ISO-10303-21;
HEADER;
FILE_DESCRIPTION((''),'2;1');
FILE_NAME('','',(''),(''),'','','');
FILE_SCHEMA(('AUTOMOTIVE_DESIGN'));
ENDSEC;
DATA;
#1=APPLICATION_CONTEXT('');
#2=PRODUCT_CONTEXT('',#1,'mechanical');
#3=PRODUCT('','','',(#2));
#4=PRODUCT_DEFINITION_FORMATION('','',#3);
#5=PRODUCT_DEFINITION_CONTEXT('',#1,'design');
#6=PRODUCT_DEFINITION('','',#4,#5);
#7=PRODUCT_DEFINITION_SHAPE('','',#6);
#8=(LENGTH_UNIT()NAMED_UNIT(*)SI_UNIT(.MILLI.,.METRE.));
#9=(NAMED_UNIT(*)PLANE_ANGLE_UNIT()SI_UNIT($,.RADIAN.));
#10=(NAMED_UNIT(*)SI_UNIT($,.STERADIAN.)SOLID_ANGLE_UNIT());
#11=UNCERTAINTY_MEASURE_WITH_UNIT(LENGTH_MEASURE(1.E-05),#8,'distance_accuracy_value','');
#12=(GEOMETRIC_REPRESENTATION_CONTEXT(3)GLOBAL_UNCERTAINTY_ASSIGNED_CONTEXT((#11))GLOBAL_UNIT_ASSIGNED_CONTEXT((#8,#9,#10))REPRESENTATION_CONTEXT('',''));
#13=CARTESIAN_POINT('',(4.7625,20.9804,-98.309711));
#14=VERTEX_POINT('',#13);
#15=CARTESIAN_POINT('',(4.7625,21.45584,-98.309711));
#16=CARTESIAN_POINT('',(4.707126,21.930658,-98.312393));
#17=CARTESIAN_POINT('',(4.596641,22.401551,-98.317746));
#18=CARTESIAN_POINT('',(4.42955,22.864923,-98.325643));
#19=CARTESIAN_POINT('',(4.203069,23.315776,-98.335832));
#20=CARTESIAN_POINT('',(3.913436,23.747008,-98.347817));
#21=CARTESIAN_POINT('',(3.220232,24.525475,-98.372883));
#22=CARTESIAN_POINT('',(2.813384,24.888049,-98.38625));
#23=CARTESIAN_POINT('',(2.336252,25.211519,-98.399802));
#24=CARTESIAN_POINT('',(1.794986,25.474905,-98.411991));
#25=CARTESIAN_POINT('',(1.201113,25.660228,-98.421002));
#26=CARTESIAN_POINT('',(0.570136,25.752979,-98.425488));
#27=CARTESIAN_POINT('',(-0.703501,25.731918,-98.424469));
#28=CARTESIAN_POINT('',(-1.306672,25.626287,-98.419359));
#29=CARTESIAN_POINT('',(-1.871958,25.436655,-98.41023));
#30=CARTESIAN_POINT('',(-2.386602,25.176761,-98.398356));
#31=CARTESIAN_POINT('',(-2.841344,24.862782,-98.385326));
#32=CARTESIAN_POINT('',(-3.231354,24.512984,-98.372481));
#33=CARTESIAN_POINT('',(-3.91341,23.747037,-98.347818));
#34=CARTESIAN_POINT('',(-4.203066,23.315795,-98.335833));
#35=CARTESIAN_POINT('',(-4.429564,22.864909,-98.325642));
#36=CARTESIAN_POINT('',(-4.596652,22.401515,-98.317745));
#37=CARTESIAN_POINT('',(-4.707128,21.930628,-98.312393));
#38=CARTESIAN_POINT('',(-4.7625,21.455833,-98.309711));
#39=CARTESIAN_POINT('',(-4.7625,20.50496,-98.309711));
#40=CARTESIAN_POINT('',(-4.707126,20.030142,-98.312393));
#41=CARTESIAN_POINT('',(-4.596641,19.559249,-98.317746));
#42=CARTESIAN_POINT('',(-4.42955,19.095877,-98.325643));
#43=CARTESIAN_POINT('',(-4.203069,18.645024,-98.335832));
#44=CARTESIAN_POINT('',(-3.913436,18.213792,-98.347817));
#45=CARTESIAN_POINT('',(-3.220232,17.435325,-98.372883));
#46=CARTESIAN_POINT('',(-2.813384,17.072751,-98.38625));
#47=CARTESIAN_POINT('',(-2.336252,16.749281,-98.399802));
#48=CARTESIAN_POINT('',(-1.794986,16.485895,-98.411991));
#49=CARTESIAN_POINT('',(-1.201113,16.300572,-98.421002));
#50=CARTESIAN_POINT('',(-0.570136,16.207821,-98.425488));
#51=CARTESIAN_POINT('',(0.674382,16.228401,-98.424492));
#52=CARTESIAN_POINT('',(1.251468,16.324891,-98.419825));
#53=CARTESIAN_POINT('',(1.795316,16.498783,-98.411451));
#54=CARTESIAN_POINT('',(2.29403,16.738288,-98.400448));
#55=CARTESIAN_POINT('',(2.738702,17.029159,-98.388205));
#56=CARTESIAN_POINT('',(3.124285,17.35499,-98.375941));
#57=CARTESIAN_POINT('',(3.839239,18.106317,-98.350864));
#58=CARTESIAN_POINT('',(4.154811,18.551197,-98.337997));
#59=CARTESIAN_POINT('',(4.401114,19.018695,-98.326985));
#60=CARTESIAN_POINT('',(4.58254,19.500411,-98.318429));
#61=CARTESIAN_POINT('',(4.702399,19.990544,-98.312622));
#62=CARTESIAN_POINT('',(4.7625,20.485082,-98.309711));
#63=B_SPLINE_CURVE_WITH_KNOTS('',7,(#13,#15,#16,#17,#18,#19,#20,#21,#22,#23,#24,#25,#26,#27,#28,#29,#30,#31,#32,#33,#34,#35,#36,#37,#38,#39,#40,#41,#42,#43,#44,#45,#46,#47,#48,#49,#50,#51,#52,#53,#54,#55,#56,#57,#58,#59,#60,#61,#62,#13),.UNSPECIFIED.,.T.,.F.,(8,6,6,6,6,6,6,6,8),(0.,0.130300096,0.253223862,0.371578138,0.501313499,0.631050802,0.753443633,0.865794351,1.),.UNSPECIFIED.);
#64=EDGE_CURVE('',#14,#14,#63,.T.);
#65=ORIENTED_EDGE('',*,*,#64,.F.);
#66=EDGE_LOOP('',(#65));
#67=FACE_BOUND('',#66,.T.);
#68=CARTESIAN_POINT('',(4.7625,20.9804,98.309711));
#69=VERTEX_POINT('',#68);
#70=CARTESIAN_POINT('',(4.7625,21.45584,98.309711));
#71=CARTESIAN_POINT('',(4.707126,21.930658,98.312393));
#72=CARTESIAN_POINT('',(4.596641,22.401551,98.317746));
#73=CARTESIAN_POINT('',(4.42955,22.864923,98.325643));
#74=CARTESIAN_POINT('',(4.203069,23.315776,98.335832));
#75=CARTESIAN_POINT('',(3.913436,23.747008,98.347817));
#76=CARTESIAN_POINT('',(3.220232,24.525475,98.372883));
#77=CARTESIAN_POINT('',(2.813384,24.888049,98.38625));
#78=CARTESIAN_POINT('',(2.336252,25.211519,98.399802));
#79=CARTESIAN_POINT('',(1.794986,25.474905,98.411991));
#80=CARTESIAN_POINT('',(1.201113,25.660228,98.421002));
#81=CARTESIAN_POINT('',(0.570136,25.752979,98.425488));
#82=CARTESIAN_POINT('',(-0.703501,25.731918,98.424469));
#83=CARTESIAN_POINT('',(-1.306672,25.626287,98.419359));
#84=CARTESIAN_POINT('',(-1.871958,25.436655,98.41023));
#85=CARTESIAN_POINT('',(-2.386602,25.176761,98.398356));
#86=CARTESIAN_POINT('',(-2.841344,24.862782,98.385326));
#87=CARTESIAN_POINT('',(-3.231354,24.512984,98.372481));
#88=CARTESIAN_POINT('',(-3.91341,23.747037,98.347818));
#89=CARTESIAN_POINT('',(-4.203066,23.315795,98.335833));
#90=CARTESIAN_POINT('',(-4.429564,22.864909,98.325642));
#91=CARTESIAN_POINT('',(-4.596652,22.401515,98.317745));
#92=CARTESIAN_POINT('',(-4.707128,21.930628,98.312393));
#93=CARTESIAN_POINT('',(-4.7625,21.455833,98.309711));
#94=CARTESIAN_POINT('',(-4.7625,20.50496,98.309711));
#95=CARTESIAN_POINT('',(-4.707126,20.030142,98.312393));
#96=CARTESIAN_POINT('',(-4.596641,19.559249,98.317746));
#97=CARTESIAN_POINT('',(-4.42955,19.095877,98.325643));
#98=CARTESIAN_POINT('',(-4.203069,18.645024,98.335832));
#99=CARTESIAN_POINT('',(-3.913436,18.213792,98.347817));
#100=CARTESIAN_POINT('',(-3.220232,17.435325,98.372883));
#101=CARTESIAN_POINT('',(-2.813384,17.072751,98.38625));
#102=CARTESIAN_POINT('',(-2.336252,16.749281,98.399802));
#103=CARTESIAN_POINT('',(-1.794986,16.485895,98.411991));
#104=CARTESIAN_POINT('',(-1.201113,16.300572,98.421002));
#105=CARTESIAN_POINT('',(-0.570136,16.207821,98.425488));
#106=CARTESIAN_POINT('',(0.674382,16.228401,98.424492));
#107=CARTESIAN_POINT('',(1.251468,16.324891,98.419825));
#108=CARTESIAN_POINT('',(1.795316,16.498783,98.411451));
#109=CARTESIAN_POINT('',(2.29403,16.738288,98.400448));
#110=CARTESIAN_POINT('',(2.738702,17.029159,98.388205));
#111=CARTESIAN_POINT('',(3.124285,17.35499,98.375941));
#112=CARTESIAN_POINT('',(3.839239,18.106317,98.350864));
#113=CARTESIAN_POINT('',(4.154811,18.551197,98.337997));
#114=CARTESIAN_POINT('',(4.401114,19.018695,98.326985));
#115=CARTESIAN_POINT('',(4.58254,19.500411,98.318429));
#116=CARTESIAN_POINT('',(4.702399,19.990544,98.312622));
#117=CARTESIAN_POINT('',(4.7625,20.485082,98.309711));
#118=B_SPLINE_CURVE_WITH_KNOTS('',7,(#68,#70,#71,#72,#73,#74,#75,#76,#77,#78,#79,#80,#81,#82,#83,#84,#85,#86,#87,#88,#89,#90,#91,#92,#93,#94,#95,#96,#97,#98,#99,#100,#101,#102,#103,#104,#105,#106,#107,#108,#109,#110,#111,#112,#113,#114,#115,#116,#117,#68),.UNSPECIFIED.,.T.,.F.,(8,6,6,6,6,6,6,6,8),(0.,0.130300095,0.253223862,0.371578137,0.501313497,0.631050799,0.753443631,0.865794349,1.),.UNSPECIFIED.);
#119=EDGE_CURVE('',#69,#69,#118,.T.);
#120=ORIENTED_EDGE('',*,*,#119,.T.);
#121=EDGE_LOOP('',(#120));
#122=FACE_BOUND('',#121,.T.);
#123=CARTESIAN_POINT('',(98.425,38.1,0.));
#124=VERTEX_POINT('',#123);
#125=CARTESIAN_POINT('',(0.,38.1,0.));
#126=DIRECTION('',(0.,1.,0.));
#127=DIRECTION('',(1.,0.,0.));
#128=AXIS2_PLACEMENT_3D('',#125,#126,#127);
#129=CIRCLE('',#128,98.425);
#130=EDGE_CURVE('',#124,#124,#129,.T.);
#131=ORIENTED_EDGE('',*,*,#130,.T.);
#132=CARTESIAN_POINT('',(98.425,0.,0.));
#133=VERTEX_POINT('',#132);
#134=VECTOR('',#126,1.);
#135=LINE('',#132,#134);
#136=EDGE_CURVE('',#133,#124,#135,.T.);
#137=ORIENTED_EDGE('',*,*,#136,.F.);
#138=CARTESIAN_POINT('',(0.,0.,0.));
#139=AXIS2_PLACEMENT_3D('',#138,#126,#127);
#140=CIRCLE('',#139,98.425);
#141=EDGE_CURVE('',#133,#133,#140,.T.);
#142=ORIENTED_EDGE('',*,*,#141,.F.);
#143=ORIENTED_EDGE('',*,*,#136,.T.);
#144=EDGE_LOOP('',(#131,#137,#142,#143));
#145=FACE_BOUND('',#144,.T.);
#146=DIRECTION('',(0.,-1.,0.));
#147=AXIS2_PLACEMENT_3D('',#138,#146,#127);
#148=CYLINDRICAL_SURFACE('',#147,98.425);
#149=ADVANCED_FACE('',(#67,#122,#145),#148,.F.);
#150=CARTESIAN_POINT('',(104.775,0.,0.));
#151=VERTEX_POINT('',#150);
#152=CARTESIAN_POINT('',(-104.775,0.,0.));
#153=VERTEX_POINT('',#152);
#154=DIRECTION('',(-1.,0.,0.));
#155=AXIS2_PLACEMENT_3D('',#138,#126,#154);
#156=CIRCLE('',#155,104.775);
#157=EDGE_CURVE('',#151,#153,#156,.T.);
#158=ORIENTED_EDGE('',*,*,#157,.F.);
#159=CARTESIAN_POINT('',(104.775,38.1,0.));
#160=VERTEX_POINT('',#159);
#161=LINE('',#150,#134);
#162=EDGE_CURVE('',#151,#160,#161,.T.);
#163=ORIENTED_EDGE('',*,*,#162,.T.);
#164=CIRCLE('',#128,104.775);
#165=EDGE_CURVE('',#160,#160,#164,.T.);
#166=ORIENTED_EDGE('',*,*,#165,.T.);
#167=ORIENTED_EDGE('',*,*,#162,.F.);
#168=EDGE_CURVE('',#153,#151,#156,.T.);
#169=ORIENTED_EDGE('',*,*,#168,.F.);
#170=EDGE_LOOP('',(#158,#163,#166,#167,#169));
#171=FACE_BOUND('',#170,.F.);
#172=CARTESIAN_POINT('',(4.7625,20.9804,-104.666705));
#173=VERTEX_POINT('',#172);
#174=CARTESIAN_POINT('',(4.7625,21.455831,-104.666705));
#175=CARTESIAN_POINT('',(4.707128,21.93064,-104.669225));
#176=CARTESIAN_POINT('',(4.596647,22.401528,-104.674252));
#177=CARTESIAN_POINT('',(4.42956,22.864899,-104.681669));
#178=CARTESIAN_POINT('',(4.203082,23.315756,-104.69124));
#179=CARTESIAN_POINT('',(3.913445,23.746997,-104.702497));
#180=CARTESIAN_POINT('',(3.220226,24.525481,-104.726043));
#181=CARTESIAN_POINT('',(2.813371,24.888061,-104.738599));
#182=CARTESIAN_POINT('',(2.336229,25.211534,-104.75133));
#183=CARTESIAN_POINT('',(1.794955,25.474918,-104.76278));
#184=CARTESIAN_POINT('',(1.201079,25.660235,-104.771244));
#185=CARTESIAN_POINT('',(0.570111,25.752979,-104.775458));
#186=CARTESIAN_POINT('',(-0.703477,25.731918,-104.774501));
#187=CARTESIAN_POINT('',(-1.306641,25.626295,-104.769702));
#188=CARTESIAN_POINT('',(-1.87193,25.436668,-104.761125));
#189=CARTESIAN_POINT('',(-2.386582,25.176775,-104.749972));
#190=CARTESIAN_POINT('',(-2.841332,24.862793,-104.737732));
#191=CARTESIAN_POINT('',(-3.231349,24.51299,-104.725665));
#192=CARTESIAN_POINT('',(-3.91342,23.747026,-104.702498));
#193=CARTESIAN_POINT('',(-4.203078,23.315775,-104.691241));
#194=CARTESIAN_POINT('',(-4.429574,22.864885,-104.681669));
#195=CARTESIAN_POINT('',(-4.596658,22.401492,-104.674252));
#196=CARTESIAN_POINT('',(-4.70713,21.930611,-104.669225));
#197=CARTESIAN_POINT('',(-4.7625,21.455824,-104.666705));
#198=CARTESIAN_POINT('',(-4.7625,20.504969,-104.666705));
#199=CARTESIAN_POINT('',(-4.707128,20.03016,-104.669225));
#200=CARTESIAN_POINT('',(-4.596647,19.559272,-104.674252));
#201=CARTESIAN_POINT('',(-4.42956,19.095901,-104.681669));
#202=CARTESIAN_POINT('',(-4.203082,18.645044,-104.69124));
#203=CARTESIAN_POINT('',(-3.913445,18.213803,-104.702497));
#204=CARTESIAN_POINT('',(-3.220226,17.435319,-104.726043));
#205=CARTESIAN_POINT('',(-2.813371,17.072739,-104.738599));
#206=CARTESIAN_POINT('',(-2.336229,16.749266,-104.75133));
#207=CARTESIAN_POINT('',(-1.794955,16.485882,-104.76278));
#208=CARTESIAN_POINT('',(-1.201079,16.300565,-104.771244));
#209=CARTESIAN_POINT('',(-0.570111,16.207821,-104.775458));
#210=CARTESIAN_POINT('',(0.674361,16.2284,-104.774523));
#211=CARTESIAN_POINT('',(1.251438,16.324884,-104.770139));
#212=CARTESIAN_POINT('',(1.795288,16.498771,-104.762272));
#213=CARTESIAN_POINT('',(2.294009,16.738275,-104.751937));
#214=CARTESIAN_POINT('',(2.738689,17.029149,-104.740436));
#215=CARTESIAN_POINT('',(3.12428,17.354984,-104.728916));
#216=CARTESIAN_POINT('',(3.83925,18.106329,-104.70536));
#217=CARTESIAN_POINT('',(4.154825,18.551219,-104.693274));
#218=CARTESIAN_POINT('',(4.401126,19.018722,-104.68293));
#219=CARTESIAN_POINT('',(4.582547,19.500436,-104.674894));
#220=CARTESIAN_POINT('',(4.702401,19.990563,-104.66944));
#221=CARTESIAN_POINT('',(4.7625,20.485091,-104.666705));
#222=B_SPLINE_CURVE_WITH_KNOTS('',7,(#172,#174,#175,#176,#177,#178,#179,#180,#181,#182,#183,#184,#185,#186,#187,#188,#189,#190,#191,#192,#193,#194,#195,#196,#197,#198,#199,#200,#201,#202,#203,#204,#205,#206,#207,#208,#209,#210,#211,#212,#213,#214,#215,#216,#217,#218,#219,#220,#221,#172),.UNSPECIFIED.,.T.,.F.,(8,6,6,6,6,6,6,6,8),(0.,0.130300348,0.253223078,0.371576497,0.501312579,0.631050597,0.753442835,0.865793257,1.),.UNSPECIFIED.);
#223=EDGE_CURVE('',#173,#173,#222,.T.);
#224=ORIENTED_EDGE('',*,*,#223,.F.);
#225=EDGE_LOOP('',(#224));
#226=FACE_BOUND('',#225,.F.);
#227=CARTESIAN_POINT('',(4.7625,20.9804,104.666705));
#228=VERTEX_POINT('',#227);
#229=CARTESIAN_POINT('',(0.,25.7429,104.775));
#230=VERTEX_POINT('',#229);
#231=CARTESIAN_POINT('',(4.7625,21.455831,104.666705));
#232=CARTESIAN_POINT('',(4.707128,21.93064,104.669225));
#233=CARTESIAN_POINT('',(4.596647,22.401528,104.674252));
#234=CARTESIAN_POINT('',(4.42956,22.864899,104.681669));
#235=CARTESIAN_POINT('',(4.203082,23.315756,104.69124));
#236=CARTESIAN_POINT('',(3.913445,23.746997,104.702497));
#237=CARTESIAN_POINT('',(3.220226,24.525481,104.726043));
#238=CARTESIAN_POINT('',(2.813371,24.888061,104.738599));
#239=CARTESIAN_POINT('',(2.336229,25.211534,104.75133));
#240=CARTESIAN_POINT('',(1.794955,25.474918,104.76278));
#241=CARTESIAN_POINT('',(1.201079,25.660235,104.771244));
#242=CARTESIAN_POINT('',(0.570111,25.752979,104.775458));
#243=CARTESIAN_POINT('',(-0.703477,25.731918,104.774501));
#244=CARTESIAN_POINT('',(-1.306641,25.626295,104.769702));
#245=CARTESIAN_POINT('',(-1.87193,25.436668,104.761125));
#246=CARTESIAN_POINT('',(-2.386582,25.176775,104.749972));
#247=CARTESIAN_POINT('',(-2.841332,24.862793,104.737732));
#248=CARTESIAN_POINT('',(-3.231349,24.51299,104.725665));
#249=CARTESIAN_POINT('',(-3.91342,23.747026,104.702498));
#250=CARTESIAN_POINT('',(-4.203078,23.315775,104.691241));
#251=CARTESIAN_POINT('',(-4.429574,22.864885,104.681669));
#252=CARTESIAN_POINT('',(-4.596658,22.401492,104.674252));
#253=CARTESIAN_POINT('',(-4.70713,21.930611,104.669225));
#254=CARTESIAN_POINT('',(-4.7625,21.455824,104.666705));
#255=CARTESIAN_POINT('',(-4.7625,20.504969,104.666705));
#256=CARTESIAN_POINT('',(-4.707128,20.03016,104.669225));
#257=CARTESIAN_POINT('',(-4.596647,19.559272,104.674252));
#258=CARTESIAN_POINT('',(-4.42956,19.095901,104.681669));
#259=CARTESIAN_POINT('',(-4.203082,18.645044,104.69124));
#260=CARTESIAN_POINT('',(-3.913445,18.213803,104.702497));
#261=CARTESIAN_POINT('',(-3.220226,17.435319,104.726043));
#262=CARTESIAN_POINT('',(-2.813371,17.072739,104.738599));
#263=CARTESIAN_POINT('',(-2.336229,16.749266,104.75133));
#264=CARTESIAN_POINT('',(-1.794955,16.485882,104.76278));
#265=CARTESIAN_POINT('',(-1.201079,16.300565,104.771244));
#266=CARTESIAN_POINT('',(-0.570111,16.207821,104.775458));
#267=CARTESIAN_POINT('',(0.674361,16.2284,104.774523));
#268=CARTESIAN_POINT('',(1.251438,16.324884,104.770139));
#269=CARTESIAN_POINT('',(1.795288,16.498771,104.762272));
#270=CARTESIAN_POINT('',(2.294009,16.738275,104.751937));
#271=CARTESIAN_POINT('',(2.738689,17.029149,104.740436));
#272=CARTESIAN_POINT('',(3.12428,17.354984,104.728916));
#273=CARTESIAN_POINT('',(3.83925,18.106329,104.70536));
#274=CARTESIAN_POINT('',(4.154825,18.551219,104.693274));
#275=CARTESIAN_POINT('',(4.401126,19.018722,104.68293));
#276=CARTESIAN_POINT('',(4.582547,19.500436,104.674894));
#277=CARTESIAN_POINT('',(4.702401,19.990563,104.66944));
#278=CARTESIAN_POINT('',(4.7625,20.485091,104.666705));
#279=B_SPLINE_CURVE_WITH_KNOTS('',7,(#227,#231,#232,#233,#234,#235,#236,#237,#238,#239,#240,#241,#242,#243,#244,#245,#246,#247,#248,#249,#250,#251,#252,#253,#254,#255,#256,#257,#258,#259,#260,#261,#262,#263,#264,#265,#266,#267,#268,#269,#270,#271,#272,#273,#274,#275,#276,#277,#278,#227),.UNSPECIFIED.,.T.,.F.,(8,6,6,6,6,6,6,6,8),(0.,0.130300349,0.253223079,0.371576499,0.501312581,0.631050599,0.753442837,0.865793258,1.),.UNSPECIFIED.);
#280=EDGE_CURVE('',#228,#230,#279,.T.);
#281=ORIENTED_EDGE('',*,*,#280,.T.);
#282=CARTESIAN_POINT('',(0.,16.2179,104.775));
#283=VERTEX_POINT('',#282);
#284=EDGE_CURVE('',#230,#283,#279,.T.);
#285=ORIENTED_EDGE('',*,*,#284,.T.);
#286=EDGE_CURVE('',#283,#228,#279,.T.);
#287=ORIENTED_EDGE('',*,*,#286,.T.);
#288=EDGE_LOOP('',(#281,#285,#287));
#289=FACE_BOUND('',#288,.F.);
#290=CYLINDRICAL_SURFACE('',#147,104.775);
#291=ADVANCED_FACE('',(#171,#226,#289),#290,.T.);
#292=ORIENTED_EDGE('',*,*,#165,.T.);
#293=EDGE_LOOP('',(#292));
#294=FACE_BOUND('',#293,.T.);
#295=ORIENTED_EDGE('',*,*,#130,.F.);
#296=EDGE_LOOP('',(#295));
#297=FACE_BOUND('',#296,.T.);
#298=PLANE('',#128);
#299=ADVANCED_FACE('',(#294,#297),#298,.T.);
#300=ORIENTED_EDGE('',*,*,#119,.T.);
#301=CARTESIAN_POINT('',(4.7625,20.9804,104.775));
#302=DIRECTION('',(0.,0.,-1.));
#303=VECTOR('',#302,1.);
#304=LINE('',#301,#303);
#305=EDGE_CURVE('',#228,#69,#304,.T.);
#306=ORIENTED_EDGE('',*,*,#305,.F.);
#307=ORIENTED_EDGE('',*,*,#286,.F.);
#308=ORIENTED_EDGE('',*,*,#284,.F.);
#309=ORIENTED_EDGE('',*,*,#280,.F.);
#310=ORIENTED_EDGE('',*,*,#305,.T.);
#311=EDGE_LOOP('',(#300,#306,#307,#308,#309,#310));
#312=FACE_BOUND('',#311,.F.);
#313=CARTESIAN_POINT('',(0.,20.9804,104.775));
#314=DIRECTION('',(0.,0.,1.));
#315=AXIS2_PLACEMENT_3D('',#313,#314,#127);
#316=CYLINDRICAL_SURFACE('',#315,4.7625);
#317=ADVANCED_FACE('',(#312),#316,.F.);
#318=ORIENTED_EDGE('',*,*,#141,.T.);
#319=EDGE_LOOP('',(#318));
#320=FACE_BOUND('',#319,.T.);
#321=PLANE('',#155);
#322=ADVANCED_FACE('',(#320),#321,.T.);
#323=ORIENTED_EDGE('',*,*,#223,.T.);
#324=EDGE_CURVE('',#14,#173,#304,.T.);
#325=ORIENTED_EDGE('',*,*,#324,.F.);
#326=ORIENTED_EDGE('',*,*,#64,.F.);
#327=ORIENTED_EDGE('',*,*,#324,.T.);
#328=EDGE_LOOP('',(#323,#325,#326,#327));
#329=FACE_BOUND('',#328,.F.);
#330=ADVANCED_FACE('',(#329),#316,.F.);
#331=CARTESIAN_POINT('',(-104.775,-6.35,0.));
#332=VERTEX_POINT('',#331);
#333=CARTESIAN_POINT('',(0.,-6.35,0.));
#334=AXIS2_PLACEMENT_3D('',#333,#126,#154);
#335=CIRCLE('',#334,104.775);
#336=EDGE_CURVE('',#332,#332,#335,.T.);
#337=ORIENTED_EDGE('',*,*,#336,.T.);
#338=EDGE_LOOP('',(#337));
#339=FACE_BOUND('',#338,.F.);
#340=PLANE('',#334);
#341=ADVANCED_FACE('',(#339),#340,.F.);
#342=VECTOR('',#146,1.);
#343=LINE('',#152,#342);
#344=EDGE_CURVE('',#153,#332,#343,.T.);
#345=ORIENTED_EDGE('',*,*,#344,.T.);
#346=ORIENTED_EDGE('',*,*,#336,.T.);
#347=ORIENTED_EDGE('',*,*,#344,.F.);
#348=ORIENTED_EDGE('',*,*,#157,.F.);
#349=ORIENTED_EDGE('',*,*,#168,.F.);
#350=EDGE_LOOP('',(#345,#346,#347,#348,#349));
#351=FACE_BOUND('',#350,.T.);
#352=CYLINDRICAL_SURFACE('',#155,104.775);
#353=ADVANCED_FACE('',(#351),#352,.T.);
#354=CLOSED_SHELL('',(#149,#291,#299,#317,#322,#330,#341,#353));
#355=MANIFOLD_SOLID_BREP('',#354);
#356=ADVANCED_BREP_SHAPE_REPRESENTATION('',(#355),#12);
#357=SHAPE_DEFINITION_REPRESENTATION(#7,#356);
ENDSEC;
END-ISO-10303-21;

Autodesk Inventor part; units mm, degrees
ref_plane "YZ Plane" through (0, 0, 0) normal (1, 0, 0) x (0, 1, 0)
ref_plane "XZ Plane" through (0, 0, 0) normal (0, 1, 0) x (-1, 0, 0)
sketch "Sketch1" plane through (0, 0, 0) normal (0, 1, 0) x (-1, 0, 0)
  circle A0 centre (0, 0) radius 104.775
  dimension "d0" = 209.55
extrude "Extrusion1" add sketch "Sketch1" against normal blind 6.35
sketch "Sketch2" plane through (0, 0, 0) normal (0, 1, 0) x (1, 0, 0)
  circle A0 centre (0, 0) radius 104.775 projected
  circle A1 centre (0, 0) radius 104.775
  circle A2 centre (0, 0) radius 98.425
  dimension "d3" = 6.35
extrude "Extrusion2" add sketch "Sketch2" along normal blind 38.1
ref_plane "Work Plane1" through (0, 0, 104.775) normal (0, 0, 1) x (1, 0, 0)
sketch "Sketch3" plane through (0, 0, 104.775) normal (0, 0, 1) x (1, 0, 0)
  circle A0 centre (0, 20.9804) radius 4.7625
  line L0 (104.775, 38.1) -> (-104.775, 38.1) projected
  point P0 (0, 0)
  dimension "d6" = 9.525
  dimension "d7" = 17.1196
extrude "Extrusion3" cut sketch "Sketch3" against normal through all
properties part number "baseForBevelGearMount" material "Polycarbonate, Clear"
